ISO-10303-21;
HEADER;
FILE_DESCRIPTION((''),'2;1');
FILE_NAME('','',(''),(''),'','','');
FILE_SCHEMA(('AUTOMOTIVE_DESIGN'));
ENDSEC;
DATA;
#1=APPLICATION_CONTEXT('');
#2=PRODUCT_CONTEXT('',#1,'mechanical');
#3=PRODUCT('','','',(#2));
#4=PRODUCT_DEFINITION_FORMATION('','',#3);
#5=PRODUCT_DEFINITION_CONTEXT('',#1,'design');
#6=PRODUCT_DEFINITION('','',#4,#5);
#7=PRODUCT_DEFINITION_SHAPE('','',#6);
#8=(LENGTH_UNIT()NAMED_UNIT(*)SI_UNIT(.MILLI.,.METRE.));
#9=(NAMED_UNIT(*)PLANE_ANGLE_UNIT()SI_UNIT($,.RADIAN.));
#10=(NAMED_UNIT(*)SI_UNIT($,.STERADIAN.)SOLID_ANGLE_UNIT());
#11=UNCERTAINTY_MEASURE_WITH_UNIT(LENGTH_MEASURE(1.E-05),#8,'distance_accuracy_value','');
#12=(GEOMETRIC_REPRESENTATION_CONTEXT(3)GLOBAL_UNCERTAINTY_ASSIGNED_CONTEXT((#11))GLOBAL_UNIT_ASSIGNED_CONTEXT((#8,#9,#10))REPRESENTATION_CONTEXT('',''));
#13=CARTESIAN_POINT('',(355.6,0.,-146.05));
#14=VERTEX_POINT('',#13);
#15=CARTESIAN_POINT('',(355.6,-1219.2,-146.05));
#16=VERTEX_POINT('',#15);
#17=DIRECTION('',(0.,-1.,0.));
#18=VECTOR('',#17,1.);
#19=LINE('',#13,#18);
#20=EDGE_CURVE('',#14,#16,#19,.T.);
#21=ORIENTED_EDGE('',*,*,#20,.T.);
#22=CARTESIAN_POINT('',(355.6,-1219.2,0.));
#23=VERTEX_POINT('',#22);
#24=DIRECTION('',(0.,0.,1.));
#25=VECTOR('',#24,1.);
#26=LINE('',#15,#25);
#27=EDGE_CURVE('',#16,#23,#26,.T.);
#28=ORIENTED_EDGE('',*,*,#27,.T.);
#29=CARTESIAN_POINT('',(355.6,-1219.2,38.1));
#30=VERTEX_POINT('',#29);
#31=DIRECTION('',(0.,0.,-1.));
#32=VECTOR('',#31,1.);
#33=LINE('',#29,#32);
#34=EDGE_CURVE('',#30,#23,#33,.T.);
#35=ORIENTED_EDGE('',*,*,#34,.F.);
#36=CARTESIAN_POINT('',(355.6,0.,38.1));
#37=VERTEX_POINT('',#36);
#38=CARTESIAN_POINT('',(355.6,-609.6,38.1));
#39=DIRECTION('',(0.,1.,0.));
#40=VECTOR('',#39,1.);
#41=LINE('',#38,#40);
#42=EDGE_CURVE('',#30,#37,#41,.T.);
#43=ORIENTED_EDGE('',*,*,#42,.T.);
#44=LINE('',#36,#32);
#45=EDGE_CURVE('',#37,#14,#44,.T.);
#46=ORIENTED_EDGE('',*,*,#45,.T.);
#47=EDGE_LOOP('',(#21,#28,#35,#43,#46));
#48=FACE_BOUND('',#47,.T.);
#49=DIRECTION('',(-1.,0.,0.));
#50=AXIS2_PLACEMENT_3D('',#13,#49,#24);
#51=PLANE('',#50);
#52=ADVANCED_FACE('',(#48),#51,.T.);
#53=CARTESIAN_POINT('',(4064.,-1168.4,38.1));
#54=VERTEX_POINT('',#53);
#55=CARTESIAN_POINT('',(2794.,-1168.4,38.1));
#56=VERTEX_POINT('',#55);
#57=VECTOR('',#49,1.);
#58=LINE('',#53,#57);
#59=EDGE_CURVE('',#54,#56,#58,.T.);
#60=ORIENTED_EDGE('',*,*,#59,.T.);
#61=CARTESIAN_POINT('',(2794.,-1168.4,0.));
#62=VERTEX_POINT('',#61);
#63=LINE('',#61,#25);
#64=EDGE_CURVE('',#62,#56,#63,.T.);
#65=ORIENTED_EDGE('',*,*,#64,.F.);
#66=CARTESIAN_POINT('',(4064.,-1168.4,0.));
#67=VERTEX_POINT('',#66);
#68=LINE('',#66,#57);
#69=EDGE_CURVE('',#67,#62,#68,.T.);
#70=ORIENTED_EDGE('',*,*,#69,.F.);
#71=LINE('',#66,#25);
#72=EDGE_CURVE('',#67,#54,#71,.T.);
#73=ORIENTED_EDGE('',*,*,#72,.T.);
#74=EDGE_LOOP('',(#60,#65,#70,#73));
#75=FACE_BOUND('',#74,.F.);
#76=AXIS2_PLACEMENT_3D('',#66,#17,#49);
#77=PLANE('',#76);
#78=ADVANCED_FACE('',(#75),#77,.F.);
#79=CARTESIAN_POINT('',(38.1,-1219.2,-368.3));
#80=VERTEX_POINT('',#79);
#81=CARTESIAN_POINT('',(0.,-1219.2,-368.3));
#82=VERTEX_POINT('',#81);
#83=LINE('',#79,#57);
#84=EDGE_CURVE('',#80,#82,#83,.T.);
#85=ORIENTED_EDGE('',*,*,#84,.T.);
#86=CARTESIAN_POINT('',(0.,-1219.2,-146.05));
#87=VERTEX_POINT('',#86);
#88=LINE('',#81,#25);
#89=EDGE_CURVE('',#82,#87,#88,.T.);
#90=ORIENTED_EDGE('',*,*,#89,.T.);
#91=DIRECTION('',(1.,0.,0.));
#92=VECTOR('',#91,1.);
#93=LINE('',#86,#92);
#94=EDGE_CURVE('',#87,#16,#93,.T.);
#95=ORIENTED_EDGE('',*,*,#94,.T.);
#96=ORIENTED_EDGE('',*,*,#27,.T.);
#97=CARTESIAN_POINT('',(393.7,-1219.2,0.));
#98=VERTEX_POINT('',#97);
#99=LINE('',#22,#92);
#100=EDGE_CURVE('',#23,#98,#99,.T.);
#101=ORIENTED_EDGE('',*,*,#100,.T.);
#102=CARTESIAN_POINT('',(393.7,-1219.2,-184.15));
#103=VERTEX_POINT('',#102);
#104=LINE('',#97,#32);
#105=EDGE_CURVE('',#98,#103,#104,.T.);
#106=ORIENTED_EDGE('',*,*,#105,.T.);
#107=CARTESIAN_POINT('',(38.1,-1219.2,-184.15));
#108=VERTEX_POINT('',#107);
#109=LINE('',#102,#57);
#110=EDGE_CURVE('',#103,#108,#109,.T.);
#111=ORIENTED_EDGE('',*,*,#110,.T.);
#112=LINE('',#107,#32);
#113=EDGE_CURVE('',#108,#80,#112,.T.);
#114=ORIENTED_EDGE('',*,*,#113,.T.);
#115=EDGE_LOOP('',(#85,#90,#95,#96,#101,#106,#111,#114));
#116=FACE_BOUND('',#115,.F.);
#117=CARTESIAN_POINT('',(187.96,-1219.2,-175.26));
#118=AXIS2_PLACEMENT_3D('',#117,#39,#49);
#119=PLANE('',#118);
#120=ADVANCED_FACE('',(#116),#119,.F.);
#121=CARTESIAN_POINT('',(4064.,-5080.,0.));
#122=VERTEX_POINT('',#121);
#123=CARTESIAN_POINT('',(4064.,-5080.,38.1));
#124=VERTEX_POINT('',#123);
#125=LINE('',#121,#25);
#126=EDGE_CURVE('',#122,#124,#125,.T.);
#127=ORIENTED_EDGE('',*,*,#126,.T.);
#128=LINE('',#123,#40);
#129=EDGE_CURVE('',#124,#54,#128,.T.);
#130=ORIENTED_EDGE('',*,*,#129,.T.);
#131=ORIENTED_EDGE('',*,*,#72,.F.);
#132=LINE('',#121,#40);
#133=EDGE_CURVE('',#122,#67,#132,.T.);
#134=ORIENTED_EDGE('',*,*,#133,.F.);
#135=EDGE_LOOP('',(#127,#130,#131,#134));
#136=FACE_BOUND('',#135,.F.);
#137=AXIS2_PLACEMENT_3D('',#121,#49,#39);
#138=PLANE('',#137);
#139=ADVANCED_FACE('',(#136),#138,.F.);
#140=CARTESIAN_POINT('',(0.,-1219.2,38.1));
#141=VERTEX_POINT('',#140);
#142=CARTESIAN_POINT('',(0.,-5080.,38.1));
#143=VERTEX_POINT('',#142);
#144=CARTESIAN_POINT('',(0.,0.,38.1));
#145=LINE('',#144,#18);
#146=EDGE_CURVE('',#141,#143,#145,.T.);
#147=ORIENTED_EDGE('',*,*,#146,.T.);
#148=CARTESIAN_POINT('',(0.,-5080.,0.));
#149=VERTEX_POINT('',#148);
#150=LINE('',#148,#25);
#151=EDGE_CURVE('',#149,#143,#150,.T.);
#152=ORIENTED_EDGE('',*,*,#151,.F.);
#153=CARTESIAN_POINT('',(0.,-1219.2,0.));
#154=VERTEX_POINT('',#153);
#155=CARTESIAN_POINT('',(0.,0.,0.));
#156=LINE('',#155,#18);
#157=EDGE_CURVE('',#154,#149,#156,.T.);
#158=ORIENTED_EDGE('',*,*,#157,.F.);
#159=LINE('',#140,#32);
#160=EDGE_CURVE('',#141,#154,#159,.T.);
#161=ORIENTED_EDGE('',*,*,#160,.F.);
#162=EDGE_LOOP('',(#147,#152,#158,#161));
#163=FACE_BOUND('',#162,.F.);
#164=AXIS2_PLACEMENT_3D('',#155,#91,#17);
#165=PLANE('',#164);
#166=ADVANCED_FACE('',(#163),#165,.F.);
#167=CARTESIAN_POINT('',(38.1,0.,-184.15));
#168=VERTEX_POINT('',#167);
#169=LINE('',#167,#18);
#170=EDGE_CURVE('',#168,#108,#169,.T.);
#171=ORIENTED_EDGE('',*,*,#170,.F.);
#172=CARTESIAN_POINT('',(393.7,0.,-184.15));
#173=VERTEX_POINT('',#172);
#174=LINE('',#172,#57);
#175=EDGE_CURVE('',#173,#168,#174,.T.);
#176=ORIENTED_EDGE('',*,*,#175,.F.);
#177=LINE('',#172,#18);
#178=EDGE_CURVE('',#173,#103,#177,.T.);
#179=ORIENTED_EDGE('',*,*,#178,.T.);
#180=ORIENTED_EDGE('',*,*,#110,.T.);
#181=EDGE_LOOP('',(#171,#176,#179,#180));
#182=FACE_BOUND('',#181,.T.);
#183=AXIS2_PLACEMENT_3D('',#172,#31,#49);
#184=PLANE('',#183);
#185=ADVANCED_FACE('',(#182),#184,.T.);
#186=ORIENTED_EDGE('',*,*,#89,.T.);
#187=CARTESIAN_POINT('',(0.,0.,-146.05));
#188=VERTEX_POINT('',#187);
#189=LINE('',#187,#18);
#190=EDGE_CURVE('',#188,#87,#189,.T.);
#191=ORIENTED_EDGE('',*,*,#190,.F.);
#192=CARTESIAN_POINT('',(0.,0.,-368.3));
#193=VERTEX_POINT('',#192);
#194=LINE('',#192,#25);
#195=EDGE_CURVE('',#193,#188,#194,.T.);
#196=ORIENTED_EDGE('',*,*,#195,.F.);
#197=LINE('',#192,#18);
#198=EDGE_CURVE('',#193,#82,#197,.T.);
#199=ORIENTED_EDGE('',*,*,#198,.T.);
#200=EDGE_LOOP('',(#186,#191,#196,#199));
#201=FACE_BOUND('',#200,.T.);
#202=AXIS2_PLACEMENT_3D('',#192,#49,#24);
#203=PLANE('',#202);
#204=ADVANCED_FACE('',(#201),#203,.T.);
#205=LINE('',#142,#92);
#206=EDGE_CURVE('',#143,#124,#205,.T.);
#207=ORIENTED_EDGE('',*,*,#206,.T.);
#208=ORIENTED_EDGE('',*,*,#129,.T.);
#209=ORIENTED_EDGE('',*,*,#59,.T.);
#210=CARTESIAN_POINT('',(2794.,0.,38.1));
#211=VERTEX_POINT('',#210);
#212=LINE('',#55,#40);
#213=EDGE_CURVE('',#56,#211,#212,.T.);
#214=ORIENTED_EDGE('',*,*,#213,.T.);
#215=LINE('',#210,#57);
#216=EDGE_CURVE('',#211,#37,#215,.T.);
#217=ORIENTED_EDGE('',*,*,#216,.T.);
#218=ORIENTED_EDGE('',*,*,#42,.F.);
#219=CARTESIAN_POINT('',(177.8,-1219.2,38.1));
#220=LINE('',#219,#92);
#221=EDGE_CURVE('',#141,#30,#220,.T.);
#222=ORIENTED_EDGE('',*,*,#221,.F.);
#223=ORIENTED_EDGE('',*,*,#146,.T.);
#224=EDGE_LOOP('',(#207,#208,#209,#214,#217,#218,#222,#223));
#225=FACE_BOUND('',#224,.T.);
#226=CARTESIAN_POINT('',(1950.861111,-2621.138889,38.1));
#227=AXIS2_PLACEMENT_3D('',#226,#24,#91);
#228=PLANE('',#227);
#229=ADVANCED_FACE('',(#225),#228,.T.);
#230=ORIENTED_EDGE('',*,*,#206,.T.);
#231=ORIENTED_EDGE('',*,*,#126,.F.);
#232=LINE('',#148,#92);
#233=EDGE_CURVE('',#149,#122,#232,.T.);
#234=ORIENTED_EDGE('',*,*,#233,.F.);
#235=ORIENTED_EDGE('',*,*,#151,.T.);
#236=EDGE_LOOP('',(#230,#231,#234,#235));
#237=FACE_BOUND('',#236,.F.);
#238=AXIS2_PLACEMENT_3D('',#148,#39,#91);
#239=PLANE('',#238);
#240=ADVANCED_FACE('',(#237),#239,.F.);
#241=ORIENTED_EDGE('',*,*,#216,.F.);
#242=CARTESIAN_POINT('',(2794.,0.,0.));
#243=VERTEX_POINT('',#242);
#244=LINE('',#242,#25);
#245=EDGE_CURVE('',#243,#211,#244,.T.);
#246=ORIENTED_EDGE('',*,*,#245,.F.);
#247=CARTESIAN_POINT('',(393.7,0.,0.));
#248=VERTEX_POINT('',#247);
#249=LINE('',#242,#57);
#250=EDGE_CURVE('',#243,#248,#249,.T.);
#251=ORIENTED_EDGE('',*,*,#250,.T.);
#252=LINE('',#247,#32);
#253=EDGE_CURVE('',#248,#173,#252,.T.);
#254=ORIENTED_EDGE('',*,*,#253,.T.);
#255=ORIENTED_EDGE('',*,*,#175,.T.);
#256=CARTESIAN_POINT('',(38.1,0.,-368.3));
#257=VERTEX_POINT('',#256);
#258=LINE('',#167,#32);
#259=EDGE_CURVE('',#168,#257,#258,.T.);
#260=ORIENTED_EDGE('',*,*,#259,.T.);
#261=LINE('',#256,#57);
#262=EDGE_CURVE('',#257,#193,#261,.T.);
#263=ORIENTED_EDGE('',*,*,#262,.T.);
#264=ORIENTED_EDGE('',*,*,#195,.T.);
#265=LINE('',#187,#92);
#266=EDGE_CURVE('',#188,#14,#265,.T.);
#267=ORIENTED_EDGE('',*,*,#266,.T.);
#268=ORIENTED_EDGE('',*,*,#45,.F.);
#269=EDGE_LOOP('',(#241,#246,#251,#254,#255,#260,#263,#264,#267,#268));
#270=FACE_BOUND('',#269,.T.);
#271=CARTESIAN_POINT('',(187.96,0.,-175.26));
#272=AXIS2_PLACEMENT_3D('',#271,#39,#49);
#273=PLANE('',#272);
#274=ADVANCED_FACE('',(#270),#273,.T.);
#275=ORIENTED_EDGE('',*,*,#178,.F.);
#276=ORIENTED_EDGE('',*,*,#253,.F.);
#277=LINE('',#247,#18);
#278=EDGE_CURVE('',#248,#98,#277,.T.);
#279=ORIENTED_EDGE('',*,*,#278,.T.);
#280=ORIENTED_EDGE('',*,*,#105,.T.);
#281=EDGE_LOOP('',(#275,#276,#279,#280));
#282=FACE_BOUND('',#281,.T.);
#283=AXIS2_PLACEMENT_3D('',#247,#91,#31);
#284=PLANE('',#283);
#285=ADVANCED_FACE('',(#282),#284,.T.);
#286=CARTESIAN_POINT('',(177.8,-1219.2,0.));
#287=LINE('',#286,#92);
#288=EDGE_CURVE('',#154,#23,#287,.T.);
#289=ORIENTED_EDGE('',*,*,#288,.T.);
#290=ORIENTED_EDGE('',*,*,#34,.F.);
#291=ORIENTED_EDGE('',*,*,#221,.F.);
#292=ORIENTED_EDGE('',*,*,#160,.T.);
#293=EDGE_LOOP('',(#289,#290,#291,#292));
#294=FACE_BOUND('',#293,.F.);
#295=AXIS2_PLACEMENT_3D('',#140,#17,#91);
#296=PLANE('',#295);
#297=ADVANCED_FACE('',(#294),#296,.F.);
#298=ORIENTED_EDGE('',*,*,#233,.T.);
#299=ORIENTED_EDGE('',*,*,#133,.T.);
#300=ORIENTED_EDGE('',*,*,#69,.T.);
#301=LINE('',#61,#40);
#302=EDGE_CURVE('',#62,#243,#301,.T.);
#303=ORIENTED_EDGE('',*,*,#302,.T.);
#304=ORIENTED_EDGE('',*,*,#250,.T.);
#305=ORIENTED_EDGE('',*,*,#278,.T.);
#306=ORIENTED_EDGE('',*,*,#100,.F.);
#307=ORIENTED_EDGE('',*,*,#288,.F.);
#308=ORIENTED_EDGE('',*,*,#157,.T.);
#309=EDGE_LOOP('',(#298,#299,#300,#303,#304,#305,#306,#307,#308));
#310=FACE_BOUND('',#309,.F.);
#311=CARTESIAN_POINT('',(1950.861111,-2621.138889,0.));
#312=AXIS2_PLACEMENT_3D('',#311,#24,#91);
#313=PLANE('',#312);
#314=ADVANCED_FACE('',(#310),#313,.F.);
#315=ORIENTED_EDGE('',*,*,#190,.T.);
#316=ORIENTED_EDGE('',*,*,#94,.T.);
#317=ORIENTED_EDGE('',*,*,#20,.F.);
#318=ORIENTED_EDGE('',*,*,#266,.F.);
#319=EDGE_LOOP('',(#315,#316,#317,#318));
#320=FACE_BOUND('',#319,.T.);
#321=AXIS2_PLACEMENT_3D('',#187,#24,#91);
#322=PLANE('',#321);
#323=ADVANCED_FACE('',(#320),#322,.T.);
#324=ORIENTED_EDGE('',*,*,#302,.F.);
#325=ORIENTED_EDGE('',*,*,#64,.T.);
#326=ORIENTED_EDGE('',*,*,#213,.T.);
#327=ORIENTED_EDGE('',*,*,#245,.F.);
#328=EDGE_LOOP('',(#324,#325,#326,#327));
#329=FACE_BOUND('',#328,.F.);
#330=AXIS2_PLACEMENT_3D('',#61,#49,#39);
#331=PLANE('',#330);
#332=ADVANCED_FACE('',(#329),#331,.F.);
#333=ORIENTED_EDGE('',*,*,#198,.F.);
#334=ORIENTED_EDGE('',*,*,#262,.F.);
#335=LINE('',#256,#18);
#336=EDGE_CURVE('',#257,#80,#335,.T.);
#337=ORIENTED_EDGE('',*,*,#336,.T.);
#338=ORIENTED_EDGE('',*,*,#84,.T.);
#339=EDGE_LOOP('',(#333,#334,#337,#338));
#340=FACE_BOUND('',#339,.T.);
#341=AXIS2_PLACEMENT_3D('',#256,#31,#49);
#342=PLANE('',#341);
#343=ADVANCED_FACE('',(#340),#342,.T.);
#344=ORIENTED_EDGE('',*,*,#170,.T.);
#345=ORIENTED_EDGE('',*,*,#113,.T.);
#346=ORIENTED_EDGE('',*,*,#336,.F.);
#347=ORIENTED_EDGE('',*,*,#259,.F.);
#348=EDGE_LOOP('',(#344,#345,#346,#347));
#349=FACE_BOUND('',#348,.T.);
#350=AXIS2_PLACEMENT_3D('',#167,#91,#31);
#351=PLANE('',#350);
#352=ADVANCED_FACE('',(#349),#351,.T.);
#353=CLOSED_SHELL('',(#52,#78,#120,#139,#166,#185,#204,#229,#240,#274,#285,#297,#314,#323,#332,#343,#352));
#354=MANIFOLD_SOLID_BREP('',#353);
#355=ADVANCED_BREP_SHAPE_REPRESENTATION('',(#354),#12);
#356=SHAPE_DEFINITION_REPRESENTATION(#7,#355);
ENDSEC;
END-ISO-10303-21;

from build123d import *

# Parameters (mm, degrees)
F1_DEPTH = 38.1
F2_W     = 355.6
F2_H     = 1219.2
F3_DEPTH = 38.1
F5_DEPTH = 1219.2


with BuildPart() as f1:
    # F0 (on Top) → F1 (new body)
    with BuildSketch(Plane.XY):
        Polygon((2794, 0), (0, 0), (0, -5080), (4064, -5080), (4064, -1168.4), (2794, -1168.4), align=None)
    extrude(amount=F1_DEPTH)

    # F2 (on face) → F3 (cut)
    with BuildSketch(Plane.XY.offset(38.1)):
        with Locations((177.8, -609.6)):
            Rectangle(F2_W, F2_H)
    extrude(amount=-F3_DEPTH, mode=Mode.SUBTRACT)

    # F4 (on face) → F5 (join)
    with BuildSketch(Plane(origin=(0, 0, 0), x_dir=(-1, 0, 0), z_dir=(0, 1, 0))):
        Polygon((-355.6, -146.05), (-355.6, 0), (-393.7, 0), (-393.7, -184.15), (-38.1, -184.15), (-38.1, -368.3), (0, -368.3), (0, -146.05), (-317.5, -146.05), align=None)
    extrude(amount=-F5_DEPTH)


solid = f1.part
